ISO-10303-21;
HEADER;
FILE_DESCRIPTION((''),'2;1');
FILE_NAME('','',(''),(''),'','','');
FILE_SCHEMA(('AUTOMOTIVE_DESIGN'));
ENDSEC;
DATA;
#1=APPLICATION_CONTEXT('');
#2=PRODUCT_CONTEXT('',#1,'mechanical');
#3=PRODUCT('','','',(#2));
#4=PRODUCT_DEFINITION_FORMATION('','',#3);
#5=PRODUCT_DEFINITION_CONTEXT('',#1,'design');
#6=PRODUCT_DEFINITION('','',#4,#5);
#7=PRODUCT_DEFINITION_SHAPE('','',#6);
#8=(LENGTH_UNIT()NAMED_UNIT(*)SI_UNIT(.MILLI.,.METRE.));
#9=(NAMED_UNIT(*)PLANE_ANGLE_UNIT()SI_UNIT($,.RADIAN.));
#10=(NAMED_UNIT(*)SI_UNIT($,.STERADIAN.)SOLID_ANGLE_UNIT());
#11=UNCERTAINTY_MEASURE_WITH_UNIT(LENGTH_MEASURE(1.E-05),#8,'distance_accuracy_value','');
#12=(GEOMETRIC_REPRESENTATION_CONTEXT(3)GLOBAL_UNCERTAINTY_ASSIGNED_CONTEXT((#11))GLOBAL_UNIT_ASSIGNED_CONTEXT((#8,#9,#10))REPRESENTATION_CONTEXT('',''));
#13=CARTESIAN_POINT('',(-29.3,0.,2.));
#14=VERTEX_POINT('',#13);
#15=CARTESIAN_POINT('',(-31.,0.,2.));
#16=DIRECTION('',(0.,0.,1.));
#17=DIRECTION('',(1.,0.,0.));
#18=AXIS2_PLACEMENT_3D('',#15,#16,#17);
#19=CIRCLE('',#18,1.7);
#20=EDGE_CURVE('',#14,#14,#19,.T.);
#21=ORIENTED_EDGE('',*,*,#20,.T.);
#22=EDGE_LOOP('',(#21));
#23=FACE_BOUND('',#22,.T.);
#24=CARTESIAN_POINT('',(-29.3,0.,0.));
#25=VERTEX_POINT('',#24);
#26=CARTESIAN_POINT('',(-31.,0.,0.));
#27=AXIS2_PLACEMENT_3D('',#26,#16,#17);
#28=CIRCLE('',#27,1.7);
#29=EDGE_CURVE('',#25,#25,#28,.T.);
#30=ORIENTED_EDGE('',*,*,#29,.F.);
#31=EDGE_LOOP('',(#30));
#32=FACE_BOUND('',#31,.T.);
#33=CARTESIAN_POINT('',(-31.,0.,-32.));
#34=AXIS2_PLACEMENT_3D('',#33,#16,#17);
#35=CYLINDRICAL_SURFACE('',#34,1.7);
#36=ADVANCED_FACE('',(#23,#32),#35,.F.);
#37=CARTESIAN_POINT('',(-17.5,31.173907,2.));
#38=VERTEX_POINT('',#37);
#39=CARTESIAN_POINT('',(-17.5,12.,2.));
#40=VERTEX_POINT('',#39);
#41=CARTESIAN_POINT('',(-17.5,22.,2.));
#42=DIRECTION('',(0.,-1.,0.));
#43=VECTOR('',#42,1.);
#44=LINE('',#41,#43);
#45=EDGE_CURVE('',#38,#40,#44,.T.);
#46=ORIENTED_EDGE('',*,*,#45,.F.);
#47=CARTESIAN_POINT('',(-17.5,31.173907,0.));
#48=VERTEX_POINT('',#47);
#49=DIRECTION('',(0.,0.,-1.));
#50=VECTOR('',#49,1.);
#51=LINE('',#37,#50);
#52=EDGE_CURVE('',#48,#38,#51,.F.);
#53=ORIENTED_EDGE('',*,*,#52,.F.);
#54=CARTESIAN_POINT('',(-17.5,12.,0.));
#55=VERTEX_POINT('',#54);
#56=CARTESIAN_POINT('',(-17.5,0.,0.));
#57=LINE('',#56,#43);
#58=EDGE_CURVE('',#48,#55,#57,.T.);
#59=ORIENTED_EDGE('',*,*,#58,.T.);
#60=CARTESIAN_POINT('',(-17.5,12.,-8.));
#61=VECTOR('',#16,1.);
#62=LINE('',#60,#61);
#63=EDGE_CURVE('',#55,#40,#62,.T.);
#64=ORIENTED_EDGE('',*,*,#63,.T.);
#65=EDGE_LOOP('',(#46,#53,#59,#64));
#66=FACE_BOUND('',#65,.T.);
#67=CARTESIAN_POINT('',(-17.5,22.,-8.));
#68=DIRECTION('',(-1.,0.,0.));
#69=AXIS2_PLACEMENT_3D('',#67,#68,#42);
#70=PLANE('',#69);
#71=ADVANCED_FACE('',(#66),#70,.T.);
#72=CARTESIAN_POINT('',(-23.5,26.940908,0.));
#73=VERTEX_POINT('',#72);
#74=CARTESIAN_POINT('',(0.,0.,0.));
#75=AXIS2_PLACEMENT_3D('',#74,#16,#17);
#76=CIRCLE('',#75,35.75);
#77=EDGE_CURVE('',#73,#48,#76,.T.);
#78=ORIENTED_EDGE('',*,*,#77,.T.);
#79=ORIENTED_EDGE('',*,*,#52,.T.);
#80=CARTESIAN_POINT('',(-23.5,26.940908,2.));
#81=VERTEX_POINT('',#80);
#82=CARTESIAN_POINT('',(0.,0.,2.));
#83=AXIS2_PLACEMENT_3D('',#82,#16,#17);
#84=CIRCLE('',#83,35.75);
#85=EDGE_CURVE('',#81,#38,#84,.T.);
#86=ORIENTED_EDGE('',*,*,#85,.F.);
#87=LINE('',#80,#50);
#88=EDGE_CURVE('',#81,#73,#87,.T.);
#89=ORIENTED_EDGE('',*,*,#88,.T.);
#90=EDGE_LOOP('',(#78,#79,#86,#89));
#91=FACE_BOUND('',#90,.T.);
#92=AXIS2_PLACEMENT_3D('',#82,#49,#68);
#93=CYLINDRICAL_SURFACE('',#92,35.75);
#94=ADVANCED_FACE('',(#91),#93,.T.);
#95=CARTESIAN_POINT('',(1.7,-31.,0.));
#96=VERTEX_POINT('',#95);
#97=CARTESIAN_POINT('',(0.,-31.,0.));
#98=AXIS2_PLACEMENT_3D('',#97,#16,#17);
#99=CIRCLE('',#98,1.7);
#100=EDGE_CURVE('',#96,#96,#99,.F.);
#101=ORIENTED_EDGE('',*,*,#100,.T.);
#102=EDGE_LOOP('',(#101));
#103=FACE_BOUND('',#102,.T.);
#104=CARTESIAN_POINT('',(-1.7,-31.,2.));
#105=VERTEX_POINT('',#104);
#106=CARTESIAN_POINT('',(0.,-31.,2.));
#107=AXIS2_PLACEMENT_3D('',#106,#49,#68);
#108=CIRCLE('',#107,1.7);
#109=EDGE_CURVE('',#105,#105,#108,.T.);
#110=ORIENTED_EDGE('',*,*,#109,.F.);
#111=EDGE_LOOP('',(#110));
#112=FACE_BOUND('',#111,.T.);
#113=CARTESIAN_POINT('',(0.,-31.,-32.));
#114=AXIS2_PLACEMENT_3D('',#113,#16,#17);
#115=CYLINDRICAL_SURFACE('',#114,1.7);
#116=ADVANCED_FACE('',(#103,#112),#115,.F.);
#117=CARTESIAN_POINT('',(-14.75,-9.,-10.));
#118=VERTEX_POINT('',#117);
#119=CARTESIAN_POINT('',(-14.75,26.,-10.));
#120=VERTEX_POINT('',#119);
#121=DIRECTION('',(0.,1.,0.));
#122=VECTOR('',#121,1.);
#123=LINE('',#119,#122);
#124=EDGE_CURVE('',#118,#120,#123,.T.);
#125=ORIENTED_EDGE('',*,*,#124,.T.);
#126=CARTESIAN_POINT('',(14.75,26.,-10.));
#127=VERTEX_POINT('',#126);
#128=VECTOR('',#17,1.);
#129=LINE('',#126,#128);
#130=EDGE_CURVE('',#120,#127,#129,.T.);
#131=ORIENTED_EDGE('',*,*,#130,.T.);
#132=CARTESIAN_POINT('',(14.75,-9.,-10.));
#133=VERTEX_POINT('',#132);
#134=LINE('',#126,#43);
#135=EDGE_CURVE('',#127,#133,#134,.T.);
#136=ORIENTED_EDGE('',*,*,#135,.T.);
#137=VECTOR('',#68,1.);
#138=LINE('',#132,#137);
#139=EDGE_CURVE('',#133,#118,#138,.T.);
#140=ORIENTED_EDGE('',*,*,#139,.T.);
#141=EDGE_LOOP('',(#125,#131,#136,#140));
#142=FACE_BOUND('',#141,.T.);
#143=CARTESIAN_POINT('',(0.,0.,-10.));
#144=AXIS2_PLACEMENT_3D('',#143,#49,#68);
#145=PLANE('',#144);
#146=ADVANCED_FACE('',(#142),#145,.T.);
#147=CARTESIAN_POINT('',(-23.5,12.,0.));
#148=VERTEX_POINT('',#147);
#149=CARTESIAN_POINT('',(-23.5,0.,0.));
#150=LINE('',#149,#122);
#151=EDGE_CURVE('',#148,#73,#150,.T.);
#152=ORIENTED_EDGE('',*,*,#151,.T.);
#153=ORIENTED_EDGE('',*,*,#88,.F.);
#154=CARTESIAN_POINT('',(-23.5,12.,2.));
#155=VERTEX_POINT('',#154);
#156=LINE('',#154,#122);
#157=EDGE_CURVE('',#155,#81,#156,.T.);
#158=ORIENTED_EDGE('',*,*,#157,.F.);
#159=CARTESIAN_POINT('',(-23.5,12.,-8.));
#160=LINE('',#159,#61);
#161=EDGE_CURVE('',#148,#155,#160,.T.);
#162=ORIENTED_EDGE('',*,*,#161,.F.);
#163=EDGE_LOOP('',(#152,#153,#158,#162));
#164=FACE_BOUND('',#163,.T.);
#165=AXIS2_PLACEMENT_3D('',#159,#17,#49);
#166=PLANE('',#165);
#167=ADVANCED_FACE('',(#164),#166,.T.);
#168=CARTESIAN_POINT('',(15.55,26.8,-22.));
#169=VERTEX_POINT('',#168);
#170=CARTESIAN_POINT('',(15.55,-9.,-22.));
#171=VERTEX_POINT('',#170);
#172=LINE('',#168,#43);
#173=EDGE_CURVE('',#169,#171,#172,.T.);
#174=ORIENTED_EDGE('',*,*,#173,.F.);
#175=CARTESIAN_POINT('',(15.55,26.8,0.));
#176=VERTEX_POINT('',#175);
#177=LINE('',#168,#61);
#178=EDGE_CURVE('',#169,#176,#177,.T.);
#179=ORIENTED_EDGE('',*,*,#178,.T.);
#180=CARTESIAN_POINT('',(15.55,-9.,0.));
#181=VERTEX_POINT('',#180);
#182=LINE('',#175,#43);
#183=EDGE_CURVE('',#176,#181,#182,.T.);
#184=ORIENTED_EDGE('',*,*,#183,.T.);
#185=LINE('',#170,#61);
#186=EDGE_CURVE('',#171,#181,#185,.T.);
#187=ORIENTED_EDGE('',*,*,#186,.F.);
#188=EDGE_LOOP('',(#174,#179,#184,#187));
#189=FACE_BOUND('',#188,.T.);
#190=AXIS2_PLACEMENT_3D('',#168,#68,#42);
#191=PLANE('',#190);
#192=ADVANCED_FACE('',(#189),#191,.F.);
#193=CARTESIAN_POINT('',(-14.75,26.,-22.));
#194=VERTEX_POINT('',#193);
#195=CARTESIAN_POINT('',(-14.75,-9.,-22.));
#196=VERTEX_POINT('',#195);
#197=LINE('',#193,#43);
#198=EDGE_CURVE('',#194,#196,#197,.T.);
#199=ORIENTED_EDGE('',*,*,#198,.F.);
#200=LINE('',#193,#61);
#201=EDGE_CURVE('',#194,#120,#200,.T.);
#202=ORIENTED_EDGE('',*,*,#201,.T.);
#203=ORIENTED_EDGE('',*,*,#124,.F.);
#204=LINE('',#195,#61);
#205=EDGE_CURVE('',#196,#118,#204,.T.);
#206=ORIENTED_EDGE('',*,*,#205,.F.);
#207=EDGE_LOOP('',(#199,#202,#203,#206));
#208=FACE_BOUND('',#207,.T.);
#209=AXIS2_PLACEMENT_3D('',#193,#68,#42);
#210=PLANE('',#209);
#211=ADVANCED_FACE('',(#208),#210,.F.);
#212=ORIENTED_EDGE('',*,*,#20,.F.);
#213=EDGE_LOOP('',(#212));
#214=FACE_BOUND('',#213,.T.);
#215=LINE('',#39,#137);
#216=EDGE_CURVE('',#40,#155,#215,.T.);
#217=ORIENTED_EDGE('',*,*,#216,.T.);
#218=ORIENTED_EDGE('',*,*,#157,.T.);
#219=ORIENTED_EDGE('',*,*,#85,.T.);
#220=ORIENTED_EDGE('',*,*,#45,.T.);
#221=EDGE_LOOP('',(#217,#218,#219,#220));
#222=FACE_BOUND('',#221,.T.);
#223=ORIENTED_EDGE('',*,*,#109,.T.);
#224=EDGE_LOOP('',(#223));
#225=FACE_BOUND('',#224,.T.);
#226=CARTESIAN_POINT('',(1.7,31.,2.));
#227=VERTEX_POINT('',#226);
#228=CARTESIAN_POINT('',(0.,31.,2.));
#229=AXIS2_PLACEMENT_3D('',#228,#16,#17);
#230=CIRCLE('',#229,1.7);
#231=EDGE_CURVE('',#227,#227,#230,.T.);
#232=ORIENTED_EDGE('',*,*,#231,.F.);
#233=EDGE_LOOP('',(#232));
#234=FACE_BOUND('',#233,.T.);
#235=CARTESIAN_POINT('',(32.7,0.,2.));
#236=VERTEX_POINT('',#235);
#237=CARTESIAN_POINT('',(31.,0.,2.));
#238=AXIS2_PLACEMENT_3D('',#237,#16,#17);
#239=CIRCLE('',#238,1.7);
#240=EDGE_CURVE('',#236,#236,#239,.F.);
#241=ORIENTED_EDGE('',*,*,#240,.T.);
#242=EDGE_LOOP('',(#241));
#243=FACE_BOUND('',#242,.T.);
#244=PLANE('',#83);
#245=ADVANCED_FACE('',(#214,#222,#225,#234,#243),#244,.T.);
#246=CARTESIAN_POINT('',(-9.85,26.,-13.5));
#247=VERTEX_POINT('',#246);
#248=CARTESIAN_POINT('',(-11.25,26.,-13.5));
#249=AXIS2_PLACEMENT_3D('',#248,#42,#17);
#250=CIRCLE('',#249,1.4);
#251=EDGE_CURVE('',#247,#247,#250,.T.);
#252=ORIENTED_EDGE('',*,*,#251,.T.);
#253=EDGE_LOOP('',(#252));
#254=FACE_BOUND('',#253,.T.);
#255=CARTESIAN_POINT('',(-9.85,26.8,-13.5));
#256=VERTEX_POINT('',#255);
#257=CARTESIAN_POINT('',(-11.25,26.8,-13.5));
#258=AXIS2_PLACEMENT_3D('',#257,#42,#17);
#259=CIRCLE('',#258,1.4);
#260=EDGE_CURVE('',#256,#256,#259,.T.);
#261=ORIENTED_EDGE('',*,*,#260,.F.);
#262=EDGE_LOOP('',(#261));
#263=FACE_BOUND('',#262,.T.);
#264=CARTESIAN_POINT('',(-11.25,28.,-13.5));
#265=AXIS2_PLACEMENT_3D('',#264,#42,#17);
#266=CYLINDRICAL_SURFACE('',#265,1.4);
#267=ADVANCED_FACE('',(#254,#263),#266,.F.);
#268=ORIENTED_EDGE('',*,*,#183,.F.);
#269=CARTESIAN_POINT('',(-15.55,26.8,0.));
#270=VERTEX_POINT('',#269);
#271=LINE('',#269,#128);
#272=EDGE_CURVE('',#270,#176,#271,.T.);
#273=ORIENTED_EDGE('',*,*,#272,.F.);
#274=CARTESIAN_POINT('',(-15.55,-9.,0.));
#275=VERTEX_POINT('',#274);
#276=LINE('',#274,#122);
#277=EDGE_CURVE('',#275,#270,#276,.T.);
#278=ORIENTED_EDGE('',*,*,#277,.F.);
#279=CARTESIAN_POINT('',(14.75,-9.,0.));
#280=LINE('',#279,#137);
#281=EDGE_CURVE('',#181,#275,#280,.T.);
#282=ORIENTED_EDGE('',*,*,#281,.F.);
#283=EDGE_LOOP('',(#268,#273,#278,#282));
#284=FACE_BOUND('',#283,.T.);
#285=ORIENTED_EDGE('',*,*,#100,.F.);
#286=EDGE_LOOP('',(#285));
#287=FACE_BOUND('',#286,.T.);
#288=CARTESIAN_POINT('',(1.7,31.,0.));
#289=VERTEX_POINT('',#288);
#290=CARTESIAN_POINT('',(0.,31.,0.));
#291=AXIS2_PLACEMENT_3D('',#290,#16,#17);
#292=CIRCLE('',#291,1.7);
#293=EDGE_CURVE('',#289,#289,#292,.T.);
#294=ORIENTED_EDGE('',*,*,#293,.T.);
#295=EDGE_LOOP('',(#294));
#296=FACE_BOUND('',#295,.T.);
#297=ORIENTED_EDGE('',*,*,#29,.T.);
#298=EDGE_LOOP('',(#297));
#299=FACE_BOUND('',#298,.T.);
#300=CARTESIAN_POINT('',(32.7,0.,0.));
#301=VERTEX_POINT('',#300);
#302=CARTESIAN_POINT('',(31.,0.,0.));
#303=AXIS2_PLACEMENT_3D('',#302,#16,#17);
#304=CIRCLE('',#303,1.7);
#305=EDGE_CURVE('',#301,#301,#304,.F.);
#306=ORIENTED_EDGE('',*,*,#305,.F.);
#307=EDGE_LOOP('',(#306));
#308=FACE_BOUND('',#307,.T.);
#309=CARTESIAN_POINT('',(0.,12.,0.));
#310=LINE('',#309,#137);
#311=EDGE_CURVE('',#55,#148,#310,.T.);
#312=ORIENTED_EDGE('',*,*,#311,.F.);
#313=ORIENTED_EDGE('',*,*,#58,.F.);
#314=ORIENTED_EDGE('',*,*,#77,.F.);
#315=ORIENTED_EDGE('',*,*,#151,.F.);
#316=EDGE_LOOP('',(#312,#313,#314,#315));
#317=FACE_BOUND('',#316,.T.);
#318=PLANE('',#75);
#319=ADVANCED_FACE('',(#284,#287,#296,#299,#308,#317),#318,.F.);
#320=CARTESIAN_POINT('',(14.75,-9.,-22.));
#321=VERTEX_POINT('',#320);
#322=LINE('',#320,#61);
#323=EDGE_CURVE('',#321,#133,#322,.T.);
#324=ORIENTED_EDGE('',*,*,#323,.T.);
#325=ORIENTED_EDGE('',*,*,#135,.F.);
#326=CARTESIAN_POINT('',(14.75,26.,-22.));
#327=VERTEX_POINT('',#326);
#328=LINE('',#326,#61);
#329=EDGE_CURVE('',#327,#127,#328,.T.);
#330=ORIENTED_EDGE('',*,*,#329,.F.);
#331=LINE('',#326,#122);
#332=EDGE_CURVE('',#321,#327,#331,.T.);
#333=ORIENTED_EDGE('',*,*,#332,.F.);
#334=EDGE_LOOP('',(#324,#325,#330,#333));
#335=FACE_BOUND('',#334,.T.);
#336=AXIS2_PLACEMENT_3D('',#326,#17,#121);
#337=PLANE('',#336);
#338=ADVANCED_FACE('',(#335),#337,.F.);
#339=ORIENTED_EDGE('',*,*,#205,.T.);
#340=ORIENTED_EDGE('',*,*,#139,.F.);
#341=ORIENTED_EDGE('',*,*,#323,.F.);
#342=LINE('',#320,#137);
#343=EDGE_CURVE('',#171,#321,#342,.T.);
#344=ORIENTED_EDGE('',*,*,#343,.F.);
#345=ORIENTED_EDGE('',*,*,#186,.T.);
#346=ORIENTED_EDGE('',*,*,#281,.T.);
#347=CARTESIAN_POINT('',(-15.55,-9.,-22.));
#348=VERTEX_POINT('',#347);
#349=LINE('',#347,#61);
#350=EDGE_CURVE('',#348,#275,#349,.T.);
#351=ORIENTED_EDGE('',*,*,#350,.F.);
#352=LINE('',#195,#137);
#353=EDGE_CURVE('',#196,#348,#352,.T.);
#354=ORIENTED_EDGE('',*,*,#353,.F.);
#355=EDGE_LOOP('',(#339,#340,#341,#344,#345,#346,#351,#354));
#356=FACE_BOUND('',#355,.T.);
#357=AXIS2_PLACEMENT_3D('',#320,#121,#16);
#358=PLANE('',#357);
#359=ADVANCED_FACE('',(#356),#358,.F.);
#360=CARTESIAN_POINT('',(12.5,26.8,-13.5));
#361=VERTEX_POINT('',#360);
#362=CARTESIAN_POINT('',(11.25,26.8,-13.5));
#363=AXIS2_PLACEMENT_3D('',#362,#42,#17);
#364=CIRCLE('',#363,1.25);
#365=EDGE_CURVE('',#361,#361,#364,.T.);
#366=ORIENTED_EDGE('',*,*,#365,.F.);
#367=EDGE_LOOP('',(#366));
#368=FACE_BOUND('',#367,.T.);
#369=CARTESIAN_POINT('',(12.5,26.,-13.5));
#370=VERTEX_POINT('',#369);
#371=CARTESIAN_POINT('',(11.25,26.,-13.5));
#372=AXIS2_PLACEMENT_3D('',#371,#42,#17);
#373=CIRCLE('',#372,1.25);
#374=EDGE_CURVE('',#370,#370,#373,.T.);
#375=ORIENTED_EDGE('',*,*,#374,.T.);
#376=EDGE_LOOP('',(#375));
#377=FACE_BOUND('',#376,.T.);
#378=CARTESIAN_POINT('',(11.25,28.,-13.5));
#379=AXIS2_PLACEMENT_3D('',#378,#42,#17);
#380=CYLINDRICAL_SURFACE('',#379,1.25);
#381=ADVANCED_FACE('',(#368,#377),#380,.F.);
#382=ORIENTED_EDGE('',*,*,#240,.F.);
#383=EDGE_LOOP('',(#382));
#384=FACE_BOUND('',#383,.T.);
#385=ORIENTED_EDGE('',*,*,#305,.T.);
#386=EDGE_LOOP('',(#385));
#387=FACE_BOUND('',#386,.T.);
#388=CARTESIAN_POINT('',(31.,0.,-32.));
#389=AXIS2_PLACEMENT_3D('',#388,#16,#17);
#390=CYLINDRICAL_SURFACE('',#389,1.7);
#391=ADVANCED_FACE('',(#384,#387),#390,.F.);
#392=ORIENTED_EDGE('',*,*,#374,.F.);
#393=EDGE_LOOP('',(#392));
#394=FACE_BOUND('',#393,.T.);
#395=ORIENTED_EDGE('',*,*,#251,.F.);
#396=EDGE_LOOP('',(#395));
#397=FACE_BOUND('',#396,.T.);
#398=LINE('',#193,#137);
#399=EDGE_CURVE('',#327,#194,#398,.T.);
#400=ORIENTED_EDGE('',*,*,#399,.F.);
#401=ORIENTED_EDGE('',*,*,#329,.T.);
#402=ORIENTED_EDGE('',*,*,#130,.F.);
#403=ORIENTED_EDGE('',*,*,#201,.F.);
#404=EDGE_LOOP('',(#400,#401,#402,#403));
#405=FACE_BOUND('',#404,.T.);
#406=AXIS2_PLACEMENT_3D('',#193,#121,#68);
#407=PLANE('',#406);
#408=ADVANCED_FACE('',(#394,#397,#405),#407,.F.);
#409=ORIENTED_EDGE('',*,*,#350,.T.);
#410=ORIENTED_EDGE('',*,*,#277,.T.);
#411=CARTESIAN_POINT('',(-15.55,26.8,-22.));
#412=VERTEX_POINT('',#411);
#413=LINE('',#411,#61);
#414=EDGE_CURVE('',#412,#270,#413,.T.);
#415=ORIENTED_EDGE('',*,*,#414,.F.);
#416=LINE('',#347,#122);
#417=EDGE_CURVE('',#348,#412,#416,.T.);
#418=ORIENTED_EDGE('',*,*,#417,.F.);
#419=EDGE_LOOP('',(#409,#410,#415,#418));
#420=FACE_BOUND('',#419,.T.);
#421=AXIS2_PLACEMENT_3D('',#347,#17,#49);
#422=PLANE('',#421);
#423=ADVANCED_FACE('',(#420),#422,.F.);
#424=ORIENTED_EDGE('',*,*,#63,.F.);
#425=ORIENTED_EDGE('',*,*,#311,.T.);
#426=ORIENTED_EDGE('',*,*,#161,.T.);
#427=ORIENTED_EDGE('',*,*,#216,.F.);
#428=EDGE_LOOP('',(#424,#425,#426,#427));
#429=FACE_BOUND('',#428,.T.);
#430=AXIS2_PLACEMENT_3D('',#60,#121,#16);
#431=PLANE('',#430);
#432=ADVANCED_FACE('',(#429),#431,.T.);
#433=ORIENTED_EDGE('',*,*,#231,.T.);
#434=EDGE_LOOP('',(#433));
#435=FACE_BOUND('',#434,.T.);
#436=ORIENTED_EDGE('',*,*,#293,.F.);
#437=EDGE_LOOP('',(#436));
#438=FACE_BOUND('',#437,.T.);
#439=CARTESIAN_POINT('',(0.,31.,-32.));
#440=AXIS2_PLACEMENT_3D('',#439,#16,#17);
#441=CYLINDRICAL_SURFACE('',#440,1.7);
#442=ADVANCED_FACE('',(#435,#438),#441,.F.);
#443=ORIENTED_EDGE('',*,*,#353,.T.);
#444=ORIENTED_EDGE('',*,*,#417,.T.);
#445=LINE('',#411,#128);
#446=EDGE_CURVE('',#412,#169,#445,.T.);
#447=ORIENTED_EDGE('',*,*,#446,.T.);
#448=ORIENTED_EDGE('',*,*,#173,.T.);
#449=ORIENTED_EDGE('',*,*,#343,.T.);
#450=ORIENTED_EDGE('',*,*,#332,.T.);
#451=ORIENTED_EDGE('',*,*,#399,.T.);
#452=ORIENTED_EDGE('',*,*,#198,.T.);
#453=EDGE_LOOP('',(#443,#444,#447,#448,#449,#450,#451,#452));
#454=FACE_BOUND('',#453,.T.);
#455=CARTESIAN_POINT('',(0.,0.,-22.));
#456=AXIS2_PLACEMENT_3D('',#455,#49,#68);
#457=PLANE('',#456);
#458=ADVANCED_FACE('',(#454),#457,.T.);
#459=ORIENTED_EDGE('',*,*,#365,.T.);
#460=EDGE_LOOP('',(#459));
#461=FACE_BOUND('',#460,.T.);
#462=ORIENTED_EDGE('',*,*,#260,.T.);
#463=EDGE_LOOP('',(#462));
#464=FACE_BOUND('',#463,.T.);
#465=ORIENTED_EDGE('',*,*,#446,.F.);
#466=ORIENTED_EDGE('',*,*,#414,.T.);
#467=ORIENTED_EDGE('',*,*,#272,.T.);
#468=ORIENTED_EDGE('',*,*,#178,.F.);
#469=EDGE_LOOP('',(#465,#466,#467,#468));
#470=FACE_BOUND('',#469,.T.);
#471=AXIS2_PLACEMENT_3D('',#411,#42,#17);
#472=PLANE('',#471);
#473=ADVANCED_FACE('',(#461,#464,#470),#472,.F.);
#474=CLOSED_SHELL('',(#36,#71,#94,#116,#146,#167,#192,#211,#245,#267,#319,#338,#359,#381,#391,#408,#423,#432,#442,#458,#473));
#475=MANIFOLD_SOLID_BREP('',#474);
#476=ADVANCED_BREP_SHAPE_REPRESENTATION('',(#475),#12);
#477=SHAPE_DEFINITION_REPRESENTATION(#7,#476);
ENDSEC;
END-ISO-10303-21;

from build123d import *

# Parameters (mm, degrees)
SKETCH1_R           = 35.75
BOSS_EXTRUDE1_DEPTH = 2
BOSS_EXTRUDE2_DEPTH = 22
SKETCH3_W           = 29.5
SKETCH3_H           = 35
BOSS_EXTRUDE3_DEPTH = 10
SKETCH4_R           = 1.4
SKETCH4_R_2         = 1.25
CUT_EXTRUDE1_DEPTH  = 2
CUT_EXTRUDE2_DEPTH  = 10
SKETCH6_R           = 1.7
CUT_EXTRUDE3_DEPTH  = 34
CUT_EXTRUDE4_DEPTH  = 10


with BuildPart() as part:
    # Sketch1 → Boss-Extrude1 (new body)
    with BuildSketch(Plane.XY):
        Circle(SKETCH1_R)
    extrude(amount=BOSS_EXTRUDE1_DEPTH)

    # Sketch2 → Boss-Extrude2 (add)
    with BuildSketch(Plane(origin=(0, 0, 0), x_dir=(-1, 0, 0), z_dir=(0, 0, -1))):
        Polygon((14.75, 26), (-14.75, 26), (-14.75, -9), (-15.55, -9), (-15.55, 26.8), (15.55, 26.8), (15.55, -9), (14.75, -9), align=None)
    extrude(amount=BOSS_EXTRUDE2_DEPTH)

    # Sketch3 → Boss-Extrude3 (add)
    with BuildSketch(Plane(origin=(0, 0, 0), x_dir=(-1, 0, 0), z_dir=(0, 0, -1))):
        with Locations((0, 8.5)):
            Rectangle(SKETCH3_W, SKETCH3_H)
    extrude(amount=BOSS_EXTRUDE3_DEPTH)

    # Sketch4 → Cut-Extrude1 (cut)
    with BuildSketch(Plane.XZ.offset(-26)):
        with Locations((-11.25, -13.5)):
            Circle(SKETCH4_R)
        with Locations((11.25, -13.5)):
            Circle(SKETCH4_R_2)
    extrude(amount=-CUT_EXTRUDE1_DEPTH, mode=Mode.SUBTRACT)

    # Sketch5 → Cut-Extrude2 (cut)
    with BuildSketch(Plane.XY.offset(2)):
        Polygon((-23.5, 12), (-17.5, 12), (-17.5, 22), (-23.5, 22.131751807), align=None)
    extrude(amount=-CUT_EXTRUDE2_DEPTH, mode=Mode.SUBTRACT)

    # Sketch6 → Cut-Extrude3 (cut)
    with BuildSketch(Plane.XY.offset(2)):
        with Locations((-31, 0)):
            Circle(SKETCH6_R)
        with Locations((0, 31)):
            Circle(SKETCH6_R)
        with Locations((31, 0)):
            Circle(SKETCH6_R)
        with Locations((0, -31)):
            Circle(SKETCH6_R)
    extrude(amount=-CUT_EXTRUDE3_DEPTH, mode=Mode.SUBTRACT)

    # Sketch7 → Cut-Extrude4 (cut)
    with BuildSketch(Plane.XY.offset(2)):
        Polygon((-17.5, 12), (-23.5, 12), (-23.5, 35.926459787), (-17.5, 35.79470798), align=None)
    extrude(amount=-CUT_EXTRUDE4_DEPTH, mode=Mode.SUBTRACT)


solid = part.part
